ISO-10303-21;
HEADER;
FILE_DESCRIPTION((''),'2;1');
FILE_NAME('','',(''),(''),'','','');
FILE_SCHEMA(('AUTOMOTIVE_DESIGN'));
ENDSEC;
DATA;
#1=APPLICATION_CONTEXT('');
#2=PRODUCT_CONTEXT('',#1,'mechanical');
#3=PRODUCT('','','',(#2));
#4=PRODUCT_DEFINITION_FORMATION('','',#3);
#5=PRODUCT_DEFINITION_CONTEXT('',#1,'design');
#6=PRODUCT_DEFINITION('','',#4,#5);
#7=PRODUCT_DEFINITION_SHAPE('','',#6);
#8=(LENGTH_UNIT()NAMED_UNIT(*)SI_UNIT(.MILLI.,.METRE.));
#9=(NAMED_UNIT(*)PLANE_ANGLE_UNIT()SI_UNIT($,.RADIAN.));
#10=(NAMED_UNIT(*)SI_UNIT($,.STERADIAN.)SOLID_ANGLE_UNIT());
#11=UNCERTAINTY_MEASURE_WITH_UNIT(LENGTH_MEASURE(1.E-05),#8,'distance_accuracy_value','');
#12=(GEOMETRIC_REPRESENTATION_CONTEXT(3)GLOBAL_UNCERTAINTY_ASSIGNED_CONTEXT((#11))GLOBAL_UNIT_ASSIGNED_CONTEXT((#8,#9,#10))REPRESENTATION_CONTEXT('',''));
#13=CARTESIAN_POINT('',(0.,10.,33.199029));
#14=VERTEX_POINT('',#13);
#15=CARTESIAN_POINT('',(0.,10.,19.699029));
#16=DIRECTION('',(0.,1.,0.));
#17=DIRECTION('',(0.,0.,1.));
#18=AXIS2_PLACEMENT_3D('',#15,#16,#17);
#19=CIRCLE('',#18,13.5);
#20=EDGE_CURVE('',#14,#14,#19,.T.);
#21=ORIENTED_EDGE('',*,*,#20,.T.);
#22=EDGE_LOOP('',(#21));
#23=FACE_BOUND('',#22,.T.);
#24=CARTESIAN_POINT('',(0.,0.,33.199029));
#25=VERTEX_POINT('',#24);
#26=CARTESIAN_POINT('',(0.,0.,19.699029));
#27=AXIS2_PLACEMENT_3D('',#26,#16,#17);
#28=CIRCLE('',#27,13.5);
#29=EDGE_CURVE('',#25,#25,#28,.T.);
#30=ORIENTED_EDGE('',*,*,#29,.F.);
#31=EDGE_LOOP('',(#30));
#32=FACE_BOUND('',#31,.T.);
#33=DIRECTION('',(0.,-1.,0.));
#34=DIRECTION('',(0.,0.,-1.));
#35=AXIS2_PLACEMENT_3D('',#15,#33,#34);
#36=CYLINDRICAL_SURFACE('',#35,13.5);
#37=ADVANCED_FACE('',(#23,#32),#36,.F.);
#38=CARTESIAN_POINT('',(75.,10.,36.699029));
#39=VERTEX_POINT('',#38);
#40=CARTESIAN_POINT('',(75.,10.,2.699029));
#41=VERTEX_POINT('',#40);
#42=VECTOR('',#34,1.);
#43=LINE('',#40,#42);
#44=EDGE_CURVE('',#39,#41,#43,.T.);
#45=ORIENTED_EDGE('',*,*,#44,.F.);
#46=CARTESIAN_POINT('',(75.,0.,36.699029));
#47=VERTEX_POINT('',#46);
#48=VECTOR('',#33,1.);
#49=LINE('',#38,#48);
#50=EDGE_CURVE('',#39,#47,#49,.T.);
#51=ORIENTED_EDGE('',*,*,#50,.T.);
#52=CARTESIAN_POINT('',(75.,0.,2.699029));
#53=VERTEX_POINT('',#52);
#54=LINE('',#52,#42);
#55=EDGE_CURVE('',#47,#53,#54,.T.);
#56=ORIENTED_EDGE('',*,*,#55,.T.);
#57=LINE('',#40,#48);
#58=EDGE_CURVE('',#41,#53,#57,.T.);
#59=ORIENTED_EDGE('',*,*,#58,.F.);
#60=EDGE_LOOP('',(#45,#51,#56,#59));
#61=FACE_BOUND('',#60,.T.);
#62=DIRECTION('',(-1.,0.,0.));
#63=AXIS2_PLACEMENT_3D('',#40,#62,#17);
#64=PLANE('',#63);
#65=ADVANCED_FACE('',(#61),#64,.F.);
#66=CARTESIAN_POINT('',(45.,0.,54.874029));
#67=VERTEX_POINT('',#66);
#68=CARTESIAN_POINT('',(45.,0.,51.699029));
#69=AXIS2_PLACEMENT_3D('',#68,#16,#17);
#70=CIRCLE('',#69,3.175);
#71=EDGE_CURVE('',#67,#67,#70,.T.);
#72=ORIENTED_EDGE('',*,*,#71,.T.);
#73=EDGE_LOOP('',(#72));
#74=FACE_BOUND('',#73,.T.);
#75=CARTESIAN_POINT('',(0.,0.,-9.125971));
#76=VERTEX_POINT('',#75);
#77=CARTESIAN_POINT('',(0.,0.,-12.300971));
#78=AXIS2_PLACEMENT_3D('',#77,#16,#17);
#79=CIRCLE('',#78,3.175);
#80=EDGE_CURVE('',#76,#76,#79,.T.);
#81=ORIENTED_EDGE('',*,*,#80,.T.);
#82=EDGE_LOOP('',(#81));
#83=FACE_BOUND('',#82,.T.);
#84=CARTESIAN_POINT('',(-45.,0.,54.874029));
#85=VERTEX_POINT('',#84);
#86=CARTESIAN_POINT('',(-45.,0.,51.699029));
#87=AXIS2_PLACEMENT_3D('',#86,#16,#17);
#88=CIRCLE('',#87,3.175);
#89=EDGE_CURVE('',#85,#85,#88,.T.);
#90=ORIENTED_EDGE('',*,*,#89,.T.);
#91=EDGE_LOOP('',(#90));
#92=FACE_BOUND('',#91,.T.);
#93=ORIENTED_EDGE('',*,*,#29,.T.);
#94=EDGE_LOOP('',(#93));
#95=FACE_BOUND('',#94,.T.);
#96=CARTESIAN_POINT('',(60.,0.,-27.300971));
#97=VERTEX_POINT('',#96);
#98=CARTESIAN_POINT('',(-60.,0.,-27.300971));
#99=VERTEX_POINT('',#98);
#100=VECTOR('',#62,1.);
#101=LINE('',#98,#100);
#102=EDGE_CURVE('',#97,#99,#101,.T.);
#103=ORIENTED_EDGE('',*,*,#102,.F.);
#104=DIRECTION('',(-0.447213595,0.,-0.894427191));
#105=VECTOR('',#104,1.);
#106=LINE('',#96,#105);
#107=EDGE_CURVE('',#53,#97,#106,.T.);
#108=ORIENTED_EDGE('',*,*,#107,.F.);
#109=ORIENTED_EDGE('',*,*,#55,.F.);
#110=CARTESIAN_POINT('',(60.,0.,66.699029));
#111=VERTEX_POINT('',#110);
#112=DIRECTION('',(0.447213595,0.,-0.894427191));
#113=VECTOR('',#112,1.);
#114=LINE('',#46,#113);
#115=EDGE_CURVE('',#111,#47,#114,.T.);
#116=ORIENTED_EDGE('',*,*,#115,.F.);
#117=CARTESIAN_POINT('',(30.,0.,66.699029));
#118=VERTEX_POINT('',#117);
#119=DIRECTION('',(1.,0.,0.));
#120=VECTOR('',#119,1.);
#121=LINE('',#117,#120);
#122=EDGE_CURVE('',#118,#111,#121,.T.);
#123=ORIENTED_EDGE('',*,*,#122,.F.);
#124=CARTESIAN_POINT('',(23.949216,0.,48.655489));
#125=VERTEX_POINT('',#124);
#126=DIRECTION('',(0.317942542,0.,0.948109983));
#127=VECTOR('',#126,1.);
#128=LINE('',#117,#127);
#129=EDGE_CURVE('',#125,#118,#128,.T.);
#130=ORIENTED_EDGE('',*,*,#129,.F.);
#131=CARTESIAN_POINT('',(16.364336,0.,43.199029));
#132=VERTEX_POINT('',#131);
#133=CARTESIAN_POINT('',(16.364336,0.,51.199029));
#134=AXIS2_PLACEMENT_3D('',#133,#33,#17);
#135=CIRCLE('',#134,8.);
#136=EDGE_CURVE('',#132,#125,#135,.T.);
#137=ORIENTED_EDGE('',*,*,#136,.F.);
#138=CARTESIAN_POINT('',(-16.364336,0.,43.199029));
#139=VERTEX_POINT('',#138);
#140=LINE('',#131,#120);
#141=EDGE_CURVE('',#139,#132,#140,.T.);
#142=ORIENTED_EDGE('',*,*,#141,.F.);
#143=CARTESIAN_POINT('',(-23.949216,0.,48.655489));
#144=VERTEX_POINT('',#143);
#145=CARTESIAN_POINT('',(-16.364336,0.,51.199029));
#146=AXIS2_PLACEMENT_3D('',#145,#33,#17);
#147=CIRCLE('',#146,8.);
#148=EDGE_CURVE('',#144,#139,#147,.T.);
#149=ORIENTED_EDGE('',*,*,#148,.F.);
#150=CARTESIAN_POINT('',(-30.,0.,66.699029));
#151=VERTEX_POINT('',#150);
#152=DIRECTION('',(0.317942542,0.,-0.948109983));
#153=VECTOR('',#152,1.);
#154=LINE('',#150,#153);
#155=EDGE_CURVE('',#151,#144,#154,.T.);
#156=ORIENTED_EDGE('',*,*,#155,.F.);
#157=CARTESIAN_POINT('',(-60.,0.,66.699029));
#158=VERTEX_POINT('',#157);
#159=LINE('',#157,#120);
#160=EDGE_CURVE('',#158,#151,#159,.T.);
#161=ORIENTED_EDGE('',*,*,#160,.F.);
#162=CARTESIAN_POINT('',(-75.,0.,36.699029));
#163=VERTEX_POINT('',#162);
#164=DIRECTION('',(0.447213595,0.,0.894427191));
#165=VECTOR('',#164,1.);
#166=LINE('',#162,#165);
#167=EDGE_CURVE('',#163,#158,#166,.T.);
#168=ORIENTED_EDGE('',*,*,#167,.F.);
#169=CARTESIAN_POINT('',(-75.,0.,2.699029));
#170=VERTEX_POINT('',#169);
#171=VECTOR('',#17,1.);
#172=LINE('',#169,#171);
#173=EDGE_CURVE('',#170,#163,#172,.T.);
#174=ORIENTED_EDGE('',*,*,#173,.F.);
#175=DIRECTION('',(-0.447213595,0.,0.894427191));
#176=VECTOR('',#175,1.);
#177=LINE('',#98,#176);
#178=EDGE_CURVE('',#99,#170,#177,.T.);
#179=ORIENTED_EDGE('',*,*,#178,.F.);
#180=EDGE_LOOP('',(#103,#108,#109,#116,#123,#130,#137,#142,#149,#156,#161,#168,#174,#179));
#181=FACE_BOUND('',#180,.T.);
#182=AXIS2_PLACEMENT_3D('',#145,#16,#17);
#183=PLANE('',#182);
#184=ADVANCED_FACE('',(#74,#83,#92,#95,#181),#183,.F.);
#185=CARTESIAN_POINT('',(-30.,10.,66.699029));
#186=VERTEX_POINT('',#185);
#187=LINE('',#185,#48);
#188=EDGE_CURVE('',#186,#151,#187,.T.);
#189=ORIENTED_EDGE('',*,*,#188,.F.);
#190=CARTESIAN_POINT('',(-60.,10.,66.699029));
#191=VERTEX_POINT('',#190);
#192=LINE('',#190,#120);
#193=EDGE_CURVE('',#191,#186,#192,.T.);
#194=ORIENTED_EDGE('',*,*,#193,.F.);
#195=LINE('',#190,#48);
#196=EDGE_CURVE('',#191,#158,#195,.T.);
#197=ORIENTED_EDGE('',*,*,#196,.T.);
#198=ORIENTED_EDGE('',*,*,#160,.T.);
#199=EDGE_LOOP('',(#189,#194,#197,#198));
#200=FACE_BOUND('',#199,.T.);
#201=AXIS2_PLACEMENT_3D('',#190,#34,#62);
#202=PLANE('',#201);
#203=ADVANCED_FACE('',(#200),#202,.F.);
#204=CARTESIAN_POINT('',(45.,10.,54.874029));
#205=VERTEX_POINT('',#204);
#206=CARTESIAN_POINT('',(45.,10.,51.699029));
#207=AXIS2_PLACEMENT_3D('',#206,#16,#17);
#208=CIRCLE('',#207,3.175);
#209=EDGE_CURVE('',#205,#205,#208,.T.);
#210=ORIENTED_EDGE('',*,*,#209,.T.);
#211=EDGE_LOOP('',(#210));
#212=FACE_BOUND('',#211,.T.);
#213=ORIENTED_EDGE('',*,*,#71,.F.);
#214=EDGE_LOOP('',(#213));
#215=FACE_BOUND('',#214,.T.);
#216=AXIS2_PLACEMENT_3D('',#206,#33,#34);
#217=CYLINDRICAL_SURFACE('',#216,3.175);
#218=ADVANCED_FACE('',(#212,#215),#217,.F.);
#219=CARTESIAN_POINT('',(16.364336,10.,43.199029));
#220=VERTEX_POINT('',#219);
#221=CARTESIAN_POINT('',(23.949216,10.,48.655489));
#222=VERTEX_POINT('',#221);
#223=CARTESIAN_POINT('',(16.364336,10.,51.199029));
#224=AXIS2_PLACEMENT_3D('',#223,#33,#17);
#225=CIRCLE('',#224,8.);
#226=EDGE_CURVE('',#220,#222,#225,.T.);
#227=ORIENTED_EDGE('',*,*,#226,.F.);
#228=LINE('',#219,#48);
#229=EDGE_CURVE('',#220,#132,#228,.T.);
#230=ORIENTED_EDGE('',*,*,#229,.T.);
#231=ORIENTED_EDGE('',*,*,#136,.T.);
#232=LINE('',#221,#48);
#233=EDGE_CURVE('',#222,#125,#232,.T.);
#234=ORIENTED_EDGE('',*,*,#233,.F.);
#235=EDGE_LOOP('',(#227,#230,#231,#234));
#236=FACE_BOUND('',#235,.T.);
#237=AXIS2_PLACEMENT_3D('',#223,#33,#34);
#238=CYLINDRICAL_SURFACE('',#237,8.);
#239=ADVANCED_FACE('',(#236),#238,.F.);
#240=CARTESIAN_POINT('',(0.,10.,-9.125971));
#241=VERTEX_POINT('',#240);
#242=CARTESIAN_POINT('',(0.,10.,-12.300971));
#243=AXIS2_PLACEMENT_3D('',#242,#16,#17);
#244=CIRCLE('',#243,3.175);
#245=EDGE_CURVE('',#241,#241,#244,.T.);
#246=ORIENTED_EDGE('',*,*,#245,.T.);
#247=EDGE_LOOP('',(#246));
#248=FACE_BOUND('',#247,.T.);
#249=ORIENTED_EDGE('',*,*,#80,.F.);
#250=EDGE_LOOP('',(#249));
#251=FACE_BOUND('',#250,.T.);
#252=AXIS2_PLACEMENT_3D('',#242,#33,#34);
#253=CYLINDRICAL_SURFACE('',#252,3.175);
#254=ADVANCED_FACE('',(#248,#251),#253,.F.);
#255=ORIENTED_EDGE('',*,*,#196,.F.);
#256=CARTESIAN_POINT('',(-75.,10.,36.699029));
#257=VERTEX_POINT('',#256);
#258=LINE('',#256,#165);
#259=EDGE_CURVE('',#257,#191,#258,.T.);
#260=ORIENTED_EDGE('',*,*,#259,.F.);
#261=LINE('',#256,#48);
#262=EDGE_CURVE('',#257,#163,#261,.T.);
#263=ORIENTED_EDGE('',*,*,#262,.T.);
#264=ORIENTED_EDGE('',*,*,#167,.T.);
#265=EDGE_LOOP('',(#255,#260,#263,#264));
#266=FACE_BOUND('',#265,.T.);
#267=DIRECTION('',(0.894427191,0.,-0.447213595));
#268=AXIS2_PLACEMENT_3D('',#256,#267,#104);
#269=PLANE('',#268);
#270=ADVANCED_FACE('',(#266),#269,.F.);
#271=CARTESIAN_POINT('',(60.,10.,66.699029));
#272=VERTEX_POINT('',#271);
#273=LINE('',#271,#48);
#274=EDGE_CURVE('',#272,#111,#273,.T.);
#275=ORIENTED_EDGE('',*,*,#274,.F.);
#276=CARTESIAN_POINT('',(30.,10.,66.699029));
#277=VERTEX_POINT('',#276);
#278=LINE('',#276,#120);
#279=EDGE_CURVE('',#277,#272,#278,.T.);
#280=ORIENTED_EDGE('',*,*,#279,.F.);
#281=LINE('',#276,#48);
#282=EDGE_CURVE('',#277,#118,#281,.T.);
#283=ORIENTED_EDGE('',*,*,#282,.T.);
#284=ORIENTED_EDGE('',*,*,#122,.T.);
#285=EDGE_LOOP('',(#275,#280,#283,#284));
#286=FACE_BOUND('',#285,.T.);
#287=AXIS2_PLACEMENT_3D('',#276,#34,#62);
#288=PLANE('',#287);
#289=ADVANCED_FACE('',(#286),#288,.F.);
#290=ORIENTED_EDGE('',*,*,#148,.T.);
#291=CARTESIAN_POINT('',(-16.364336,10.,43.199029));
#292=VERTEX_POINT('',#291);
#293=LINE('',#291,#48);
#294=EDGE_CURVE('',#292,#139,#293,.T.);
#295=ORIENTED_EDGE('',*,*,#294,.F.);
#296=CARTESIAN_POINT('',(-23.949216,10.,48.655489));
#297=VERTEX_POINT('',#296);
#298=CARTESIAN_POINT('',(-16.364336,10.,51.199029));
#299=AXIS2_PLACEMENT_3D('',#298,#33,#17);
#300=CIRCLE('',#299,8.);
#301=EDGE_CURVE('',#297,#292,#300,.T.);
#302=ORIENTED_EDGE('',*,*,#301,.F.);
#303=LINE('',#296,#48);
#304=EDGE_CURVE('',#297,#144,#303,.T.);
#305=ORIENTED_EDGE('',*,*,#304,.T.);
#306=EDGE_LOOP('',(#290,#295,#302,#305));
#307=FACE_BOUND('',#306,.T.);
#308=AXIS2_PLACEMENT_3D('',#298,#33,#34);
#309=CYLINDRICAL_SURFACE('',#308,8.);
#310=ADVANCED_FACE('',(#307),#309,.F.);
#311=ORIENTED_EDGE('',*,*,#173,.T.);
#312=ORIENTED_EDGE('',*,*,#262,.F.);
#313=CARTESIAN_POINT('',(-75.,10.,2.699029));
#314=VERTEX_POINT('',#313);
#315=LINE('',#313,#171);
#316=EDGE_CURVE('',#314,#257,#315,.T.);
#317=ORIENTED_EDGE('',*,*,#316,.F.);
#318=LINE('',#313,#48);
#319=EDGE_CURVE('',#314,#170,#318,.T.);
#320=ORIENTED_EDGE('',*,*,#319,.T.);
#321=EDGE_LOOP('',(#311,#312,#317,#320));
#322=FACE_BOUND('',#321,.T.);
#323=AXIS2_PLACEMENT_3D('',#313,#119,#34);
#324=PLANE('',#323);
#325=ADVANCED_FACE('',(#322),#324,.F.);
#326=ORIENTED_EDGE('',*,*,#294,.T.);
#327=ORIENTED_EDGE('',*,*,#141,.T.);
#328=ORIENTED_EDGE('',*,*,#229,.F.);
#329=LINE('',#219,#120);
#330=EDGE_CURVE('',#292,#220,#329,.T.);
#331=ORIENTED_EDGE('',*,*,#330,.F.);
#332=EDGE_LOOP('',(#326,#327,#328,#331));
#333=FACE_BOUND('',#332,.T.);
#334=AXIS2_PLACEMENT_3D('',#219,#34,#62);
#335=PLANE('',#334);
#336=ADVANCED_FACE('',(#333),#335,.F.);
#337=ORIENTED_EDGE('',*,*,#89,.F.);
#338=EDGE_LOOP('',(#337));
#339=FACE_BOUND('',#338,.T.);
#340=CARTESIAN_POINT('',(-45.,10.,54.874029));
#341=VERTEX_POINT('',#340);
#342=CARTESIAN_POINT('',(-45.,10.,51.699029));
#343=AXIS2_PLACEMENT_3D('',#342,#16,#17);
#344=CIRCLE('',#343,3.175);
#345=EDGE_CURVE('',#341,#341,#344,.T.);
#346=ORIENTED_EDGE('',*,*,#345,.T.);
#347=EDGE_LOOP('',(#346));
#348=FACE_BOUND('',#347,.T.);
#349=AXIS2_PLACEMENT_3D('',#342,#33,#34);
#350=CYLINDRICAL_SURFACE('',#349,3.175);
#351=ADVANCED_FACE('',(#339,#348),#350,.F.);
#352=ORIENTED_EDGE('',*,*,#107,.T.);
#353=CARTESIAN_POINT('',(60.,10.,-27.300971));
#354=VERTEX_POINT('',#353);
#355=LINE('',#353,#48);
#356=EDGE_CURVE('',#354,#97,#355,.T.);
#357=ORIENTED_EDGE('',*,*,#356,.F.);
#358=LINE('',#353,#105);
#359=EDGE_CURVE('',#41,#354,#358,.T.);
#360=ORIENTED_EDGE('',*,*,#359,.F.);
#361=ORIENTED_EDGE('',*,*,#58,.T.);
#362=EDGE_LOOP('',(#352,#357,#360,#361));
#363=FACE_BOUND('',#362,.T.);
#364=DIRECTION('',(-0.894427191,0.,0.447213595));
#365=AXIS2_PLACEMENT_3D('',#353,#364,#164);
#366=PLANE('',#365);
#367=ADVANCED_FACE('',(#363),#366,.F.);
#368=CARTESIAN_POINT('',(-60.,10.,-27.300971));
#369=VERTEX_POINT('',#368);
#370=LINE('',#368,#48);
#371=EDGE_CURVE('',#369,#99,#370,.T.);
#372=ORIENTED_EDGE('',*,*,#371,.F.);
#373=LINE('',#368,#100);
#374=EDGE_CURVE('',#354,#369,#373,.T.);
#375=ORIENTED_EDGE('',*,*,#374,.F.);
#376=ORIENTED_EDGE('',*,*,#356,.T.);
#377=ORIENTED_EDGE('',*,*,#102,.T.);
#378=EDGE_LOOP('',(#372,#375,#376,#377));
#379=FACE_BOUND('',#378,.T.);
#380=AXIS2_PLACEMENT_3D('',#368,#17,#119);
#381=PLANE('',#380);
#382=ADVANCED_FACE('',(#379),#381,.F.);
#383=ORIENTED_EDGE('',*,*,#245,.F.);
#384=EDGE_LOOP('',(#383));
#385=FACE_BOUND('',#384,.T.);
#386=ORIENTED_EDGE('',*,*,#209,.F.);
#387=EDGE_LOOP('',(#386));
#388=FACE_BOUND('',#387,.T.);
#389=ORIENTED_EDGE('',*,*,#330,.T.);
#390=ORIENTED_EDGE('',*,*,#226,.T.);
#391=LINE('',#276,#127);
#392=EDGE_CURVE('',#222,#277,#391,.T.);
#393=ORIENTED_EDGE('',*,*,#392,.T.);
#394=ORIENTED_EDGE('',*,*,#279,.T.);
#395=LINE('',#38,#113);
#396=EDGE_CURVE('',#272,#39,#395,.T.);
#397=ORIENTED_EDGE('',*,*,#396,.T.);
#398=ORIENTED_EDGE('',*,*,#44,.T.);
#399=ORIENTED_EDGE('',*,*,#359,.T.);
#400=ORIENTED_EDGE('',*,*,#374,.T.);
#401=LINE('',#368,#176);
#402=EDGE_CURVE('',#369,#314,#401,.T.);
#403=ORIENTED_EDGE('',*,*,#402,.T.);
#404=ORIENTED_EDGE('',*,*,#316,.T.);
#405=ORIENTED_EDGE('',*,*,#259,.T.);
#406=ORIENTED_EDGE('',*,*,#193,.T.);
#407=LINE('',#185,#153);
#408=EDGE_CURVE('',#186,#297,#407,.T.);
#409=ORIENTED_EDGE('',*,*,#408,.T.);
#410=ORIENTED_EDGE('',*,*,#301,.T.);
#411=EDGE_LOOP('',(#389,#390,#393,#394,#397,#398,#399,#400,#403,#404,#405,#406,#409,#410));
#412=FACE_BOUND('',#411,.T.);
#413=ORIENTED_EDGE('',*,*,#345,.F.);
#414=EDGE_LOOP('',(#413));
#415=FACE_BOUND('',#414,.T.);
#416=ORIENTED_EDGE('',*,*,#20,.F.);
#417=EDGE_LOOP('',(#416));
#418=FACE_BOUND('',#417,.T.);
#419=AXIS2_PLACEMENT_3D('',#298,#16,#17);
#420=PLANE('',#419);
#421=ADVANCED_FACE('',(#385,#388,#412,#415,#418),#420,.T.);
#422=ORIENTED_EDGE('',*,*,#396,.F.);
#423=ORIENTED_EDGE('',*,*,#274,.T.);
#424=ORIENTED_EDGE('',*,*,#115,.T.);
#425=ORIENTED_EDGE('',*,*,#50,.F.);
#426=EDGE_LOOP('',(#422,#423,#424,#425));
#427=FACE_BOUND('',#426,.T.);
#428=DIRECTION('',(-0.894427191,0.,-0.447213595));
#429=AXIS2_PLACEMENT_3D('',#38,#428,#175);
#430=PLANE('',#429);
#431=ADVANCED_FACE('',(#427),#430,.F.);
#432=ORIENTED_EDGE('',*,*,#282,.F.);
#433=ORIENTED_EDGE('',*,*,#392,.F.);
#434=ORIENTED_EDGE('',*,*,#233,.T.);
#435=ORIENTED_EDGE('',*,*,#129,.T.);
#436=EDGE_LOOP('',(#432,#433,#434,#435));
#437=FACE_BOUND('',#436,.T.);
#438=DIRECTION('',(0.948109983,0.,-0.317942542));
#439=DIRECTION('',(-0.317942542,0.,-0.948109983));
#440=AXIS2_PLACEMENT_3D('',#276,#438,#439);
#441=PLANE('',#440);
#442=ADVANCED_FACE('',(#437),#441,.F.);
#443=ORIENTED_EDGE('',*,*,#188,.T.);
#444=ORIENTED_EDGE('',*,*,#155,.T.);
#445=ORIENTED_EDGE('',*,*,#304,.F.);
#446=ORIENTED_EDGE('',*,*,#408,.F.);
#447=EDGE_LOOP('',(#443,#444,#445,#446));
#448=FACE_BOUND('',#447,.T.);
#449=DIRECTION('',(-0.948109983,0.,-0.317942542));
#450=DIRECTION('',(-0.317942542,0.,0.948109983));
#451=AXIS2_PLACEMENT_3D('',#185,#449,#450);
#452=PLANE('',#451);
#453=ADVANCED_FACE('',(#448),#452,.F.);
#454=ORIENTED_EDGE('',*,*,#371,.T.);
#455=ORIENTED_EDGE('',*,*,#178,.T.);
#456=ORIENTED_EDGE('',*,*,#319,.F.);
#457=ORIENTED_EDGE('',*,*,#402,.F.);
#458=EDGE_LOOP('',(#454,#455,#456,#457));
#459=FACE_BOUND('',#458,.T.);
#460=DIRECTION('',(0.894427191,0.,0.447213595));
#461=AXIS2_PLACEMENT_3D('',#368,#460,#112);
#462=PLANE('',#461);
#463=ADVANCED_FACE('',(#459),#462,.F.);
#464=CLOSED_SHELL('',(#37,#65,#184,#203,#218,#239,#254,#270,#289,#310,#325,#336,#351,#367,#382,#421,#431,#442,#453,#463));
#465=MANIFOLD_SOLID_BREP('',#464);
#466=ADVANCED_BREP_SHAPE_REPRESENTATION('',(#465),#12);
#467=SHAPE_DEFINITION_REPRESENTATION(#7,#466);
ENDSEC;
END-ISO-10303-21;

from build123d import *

# Parameters (mm, degrees)
SKETCH1_R           = 3.175
SKETCH1_R_2         = 13.5
BOSS_EXTRUDE1_DEPTH = 10


with BuildPart() as part:
    # Sketch1 → Boss-Extrude1 (new body)
    with BuildSketch(Plane(origin=(0, 0, 0), x_dir=(1, 0, 0), z_dir=(0, 1, 0))):
        with BuildLine():
            Line((-60, 27.300970874), (60, 27.300970874))
            Line((60, 27.300970874), (75, -2.699029126))
            Line((75, -2.699029126), (75, -36.699029126))
            Line((75, -36.699029126), (60, -66.699029126))
            Line((60, -66.699029126), (30, -66.699029126))
            Line((30, -66.699029126), (23.949215607, -48.655488788))
            ThreePointArc((23.949215607, -48.655488788), (21.036148951, -44.704865488), (16.364335743, -43.199029126))
            Line((16.364335743, -43.199029126), (-16.364335743, -43.199029126))
            ThreePointArc((-16.364335743, -43.199029126), (-21.036148951, -44.704865488), (-23.949215607, -48.655488788))
            Line((-23.949215607, -48.655488788), (-30, -66.699029126))
            Line((-30, -66.699029126), (-60, -66.699029126))
            Line((-60, -66.699029126), (-75, -36.699029126))
            Line((-75, -36.699029126), (-75, -2.699029126))
            Line((-75, -2.699029126), (-60, 27.300970874))
        make_face()
        with Locations(Location((-45, -51.699029126, 0), (0, 0, 270))):
            Circle(SKETCH1_R, mode=Mode.SUBTRACT)
        with Locations(Location((0, 12.300970874, 0), (0, 0, 270))):
            Circle(SKETCH1_R, mode=Mode.SUBTRACT)
        with Locations(Location((45, -51.699029126, 0), (0, 0, 270))):
            Circle(SKETCH1_R, mode=Mode.SUBTRACT)
        with Locations(Location((0, -19.699029126, 0), (0, 0, 270))):
            Circle(SKETCH1_R_2, mode=Mode.SUBTRACT)
    extrude(amount=BOSS_EXTRUDE1_DEPTH)


solid = part.part
